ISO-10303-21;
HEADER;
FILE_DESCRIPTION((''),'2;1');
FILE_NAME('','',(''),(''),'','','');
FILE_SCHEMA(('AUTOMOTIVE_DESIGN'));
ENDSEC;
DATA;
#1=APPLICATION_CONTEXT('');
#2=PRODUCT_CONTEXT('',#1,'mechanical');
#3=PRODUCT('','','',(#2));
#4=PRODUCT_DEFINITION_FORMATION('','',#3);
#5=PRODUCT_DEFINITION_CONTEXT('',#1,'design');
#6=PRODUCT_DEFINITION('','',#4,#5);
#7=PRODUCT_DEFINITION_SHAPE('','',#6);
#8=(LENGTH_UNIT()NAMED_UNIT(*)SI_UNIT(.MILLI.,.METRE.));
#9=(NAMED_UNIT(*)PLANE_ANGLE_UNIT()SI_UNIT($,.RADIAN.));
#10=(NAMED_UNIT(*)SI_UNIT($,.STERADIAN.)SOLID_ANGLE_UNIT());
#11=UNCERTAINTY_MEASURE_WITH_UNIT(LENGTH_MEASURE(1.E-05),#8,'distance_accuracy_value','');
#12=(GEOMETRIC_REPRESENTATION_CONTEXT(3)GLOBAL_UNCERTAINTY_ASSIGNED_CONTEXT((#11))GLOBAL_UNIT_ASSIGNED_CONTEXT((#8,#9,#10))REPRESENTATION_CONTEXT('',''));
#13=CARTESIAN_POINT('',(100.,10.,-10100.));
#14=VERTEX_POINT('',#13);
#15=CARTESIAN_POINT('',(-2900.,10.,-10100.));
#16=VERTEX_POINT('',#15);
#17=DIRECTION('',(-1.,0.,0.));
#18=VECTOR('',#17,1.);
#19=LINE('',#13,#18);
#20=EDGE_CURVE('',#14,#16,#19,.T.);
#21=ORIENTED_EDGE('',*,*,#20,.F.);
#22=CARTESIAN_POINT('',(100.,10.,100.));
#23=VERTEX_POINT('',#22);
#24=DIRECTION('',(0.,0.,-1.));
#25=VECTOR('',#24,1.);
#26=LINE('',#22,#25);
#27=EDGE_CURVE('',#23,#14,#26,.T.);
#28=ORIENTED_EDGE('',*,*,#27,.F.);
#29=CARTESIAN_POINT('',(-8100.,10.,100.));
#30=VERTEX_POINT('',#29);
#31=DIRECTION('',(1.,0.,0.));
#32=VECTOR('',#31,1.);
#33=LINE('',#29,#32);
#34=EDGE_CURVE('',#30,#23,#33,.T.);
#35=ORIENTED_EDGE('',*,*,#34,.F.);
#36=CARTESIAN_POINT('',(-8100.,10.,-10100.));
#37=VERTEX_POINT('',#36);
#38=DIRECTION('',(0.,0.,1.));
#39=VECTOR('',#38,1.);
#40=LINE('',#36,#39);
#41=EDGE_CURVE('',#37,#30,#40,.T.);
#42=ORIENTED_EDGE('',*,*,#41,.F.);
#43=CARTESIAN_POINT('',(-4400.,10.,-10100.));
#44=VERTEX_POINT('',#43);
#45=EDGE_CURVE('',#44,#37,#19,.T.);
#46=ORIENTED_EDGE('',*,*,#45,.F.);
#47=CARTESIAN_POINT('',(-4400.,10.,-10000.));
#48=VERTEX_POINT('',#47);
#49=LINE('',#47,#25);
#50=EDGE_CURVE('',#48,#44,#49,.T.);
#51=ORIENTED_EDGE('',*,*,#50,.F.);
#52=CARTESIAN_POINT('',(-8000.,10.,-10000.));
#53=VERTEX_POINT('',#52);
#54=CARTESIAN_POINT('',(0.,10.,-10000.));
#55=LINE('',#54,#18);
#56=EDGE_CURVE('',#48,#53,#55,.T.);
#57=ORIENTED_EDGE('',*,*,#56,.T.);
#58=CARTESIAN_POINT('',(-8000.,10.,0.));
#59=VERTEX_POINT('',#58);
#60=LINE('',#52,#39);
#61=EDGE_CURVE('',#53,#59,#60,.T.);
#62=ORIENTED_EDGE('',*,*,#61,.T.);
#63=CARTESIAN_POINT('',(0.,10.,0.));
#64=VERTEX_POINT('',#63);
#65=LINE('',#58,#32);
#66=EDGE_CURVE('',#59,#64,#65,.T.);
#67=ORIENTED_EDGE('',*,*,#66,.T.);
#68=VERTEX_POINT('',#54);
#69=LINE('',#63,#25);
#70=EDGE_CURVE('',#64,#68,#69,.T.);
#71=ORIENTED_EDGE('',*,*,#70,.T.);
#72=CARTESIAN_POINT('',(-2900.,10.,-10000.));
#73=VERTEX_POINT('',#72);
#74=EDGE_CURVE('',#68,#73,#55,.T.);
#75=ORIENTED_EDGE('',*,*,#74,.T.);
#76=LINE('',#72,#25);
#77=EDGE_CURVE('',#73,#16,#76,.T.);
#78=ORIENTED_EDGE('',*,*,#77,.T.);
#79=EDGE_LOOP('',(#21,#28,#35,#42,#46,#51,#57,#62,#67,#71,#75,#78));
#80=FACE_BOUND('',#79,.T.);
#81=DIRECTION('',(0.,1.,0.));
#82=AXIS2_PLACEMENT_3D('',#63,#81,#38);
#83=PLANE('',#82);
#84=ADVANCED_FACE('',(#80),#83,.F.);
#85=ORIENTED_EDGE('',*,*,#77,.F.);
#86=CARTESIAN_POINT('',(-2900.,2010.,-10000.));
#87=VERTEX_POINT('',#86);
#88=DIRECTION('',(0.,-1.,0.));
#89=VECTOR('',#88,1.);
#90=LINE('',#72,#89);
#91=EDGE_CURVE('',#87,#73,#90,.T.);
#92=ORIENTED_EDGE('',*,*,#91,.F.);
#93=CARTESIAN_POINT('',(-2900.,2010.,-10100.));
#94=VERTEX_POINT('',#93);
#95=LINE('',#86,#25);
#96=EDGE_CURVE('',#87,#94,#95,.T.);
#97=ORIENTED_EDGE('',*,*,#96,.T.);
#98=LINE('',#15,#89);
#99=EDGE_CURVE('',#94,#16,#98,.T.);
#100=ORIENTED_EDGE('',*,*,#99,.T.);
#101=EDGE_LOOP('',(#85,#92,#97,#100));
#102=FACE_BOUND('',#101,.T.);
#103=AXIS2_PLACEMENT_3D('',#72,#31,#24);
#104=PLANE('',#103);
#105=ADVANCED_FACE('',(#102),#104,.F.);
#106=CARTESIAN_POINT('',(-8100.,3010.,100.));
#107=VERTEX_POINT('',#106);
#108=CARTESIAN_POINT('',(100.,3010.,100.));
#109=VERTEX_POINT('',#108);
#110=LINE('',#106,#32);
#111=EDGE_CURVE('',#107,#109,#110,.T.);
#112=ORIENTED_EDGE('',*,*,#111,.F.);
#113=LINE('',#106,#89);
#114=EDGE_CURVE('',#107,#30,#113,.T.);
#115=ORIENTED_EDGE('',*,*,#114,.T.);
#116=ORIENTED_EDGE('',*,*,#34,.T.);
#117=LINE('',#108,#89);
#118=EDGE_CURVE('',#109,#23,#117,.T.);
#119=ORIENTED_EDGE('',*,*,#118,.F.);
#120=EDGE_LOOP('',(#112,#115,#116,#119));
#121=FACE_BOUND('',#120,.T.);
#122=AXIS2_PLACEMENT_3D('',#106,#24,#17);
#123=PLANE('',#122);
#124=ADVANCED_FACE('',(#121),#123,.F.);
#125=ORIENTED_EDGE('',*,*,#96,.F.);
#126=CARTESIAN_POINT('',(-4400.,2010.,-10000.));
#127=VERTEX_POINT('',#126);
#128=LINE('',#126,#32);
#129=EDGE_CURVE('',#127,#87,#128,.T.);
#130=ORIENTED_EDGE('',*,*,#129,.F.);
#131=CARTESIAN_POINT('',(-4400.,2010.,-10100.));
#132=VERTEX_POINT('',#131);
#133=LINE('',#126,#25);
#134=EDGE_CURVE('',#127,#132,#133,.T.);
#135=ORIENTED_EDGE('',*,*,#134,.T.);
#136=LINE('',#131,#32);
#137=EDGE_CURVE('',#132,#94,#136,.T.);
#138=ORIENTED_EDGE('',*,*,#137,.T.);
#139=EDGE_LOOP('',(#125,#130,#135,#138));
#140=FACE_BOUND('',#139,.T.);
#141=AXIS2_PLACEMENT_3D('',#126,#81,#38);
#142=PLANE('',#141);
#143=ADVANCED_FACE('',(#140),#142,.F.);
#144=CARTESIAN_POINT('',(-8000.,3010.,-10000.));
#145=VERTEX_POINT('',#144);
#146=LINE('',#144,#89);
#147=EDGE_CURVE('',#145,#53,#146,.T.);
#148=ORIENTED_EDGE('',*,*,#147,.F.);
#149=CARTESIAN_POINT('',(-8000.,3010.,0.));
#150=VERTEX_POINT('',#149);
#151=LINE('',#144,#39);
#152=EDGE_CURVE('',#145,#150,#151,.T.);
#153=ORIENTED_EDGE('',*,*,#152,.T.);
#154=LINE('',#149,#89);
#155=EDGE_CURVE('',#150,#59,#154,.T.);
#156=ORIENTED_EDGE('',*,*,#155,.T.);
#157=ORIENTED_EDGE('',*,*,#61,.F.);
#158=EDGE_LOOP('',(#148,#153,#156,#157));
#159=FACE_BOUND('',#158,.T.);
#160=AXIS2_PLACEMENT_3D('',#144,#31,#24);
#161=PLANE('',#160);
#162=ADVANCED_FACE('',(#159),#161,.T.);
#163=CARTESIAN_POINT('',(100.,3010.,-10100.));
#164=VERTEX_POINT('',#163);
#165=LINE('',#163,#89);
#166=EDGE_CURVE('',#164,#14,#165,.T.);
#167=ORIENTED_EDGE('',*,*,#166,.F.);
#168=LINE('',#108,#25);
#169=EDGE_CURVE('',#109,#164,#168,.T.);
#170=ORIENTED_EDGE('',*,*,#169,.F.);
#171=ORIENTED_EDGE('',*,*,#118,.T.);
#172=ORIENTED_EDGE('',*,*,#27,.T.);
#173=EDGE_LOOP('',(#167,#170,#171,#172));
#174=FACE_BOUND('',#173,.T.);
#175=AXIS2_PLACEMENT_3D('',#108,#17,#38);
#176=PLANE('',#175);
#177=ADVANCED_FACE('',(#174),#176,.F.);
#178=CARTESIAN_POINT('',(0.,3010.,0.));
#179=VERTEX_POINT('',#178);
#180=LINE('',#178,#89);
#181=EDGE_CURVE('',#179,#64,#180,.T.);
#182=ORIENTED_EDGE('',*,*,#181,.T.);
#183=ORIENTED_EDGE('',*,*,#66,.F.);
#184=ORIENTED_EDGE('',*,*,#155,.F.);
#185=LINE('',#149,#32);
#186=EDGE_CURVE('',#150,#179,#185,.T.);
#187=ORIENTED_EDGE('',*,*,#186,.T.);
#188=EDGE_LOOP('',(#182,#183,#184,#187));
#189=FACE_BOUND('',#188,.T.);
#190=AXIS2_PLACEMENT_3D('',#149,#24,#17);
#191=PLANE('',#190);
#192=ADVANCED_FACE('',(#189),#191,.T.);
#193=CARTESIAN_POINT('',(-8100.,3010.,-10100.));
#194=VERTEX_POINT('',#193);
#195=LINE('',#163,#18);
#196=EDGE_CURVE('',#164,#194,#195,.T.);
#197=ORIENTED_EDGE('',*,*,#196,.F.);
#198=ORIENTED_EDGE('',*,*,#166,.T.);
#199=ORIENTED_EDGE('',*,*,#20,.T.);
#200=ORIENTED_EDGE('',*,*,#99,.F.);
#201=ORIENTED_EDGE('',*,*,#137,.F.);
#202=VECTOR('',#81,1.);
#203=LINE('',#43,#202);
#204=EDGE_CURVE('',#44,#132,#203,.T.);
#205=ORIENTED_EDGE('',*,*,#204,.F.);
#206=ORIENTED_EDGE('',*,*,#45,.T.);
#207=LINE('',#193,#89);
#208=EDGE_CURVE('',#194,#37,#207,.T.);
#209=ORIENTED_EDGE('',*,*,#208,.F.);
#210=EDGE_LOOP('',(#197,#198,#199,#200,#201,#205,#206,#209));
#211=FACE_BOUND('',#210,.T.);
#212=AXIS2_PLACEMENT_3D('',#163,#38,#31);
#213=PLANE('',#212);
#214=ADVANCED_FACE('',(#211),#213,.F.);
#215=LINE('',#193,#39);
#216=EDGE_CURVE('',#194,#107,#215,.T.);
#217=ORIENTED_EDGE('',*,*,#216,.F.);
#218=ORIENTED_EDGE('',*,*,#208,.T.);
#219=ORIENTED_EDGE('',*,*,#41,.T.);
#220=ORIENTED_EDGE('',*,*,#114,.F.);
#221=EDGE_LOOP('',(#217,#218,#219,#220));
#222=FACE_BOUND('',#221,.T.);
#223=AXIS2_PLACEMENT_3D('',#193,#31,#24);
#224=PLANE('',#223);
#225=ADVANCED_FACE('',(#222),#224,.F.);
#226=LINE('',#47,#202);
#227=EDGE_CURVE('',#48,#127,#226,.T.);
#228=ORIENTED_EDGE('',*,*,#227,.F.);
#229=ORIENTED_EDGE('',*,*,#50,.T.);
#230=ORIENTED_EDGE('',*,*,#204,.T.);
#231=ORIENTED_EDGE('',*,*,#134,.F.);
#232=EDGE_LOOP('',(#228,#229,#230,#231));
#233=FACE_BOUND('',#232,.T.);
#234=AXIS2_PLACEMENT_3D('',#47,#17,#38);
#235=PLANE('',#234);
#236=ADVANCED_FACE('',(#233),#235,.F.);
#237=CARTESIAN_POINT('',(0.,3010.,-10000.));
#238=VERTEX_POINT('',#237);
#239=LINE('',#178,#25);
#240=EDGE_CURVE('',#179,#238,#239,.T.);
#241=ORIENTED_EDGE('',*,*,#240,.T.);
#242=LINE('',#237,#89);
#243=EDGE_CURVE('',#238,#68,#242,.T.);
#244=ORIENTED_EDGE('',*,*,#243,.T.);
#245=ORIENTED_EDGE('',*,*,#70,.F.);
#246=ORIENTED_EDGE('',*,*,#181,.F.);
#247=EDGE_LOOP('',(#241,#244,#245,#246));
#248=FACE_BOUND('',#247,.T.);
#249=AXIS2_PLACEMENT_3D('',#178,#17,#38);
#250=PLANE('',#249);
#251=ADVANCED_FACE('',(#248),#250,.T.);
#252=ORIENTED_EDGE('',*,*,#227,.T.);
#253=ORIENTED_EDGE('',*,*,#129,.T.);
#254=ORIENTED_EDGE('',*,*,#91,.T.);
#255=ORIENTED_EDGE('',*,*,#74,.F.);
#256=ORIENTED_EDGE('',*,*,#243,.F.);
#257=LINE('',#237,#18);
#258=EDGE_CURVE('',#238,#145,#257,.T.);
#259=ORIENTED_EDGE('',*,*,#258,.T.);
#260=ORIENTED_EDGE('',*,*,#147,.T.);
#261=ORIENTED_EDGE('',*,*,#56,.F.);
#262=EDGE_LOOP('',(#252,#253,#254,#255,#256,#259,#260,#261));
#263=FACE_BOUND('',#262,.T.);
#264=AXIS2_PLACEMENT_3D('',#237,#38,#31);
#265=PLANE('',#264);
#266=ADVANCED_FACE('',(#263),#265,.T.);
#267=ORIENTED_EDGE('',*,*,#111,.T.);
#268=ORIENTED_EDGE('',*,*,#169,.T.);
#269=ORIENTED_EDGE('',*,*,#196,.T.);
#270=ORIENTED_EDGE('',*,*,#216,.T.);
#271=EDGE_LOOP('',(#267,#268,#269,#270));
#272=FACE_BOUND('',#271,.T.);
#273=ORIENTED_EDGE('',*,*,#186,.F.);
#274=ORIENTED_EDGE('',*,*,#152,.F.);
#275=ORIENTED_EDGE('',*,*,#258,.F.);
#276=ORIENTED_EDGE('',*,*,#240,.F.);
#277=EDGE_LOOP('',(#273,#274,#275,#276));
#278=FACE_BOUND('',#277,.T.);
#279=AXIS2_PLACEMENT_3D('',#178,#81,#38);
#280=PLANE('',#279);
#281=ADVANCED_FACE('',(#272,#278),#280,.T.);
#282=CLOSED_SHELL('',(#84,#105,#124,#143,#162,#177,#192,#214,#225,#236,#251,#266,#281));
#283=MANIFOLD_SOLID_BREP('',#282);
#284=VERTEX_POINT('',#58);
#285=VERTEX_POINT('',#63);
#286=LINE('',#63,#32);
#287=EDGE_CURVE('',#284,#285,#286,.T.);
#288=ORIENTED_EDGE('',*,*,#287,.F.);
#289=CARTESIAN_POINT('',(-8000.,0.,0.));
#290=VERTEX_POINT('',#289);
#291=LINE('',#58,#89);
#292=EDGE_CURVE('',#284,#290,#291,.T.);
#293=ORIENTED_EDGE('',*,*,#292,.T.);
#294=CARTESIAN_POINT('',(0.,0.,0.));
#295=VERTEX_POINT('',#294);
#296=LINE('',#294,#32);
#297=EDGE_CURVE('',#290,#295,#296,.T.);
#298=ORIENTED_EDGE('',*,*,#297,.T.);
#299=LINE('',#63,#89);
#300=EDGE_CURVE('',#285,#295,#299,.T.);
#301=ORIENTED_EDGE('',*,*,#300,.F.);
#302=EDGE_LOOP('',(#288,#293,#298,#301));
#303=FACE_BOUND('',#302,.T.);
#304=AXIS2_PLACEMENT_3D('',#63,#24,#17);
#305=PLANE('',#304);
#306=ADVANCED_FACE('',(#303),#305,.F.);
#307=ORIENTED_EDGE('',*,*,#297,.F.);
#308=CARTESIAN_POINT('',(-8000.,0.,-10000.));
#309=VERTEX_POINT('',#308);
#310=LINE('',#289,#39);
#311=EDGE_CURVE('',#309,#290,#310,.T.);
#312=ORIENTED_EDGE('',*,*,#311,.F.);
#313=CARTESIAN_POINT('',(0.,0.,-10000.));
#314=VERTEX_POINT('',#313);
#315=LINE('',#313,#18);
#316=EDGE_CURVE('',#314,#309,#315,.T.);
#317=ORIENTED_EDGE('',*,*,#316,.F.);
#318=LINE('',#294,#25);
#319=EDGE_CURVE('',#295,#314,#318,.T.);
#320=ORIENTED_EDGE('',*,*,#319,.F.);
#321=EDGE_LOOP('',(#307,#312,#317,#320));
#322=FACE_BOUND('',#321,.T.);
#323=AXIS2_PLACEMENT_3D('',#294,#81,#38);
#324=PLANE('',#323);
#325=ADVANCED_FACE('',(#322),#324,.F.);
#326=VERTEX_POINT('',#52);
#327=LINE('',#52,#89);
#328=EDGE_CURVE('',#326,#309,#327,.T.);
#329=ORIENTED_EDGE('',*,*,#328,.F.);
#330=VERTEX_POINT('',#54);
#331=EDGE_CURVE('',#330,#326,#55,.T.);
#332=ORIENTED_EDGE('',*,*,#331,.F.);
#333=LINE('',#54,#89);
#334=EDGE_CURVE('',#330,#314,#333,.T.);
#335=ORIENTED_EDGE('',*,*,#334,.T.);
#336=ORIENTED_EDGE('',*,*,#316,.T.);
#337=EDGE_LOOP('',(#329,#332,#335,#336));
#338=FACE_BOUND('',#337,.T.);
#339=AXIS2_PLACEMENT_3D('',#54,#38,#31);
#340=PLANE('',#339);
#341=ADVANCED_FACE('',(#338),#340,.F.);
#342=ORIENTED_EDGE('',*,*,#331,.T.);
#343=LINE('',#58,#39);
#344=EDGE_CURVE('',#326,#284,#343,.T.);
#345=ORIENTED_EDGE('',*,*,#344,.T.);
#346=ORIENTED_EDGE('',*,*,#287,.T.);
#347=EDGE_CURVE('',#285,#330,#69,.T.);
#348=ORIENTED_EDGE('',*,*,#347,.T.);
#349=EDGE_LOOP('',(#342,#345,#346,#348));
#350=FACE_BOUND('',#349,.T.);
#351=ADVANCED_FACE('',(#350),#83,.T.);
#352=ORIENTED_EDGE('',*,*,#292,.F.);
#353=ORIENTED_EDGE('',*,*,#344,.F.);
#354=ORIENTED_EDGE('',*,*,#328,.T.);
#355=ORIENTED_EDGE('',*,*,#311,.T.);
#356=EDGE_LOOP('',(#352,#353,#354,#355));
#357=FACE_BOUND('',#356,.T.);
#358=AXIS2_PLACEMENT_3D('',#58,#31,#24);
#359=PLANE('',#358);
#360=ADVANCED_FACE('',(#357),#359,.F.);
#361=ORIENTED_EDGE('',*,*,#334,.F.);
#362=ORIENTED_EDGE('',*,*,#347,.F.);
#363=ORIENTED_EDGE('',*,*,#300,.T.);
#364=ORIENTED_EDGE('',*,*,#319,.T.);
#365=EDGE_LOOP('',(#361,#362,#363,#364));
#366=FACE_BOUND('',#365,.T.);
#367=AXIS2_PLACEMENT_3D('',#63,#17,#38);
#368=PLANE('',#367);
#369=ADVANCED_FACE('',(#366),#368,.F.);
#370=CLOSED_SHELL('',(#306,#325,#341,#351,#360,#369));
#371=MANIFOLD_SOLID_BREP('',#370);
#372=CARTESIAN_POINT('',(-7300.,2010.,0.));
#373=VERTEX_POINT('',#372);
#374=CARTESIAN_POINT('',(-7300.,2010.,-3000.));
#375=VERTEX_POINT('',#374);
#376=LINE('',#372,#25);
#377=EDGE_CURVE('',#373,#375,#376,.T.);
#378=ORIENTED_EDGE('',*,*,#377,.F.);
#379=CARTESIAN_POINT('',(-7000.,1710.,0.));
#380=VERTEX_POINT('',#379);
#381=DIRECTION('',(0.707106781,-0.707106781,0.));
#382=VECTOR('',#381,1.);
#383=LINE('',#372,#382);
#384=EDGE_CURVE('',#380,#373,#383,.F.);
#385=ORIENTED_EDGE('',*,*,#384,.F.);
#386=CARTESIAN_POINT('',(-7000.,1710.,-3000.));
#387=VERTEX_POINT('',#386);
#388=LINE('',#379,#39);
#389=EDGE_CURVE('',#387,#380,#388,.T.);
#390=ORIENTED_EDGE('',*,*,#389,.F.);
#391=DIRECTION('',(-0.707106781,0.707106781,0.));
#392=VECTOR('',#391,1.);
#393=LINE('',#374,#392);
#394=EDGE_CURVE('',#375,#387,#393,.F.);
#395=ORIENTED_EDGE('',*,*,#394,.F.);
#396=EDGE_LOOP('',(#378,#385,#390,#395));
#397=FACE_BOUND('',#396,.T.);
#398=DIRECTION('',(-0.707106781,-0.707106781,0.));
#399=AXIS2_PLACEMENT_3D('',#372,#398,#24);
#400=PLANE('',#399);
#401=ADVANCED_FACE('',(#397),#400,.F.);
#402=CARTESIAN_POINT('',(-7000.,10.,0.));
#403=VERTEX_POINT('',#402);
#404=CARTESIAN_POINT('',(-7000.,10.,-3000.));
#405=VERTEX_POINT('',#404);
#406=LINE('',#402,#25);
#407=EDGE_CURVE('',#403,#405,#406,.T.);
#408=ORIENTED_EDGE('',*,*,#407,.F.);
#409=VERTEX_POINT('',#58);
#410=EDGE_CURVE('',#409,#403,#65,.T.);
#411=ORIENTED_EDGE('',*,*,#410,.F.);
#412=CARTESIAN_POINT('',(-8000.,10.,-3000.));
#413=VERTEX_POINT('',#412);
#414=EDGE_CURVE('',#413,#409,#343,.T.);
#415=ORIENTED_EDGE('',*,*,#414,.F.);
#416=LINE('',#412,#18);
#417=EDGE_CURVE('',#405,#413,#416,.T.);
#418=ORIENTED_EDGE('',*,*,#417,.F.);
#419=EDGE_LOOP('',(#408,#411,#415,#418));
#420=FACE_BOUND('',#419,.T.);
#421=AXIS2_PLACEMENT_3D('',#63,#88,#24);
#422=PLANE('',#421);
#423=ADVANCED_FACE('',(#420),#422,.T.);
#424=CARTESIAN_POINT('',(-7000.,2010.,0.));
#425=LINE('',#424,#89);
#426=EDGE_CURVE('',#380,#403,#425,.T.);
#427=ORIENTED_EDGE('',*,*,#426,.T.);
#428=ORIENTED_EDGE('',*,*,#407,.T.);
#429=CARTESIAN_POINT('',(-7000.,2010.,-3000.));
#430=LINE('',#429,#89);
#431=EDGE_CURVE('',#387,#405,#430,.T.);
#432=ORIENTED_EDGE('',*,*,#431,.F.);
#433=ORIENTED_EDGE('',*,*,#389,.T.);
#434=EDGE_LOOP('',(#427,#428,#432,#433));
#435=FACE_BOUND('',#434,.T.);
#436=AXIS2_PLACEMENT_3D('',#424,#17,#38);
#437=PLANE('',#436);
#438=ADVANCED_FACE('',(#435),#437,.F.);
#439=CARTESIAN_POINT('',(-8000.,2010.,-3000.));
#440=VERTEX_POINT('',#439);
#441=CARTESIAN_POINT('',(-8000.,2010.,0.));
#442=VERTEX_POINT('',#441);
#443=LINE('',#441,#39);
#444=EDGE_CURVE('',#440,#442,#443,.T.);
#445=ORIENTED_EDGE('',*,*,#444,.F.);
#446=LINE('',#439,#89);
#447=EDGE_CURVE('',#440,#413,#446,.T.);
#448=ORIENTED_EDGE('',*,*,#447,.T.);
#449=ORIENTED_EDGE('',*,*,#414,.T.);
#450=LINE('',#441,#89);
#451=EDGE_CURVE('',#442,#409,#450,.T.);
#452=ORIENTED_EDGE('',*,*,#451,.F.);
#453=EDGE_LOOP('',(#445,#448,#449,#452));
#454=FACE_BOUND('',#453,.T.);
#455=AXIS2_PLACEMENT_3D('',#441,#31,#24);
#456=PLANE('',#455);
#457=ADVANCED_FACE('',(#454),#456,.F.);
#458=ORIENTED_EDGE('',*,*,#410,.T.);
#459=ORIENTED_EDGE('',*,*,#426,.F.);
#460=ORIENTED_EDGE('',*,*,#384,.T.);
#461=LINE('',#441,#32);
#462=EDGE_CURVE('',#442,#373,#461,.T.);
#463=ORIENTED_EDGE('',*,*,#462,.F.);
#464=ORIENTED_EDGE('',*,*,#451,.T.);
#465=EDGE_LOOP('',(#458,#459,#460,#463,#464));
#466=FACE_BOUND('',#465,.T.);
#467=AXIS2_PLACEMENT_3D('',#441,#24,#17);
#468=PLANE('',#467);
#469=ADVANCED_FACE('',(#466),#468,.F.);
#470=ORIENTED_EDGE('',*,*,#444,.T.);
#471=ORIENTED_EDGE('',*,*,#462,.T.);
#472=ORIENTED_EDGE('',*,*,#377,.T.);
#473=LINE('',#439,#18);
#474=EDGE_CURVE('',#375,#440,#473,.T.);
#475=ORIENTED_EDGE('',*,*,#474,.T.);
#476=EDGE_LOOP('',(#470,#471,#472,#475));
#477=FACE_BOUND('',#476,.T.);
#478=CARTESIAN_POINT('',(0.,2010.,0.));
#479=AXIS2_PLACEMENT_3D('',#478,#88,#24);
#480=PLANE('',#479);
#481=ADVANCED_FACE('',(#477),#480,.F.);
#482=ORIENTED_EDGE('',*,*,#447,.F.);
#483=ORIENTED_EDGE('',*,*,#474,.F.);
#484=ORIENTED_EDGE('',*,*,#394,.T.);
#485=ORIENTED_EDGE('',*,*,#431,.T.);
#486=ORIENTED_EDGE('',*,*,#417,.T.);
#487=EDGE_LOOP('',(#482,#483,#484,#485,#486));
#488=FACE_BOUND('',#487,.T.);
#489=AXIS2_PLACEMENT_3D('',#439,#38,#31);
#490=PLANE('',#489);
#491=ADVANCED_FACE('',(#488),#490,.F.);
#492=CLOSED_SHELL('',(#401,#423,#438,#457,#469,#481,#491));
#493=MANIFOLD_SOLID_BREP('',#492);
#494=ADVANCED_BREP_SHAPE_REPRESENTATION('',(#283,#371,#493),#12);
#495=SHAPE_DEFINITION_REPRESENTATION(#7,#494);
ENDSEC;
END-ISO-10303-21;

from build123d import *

# Parameters (mm, degrees)
SKETCH1_W           = 8000
SKETCH1_H           = 10000
BOSS_EXTRUDE1_DEPTH = 10
SKETCH3_W           = 8200
SKETCH3_H           = 10200
SKETCH3_W_2         = 8000
SKETCH3_H_2         = 10000
BOSS_EXTRUDE2_DEPTH = 3000
SKETCH4_W           = 1500
SKETCH4_H           = 2000
CUT_EXTRUDE1_DEPTH  = 100
SKETCH5_W           = 1000
SKETCH5_H           = 3000
BOSS_EXTRUDE4_DEPTH = 2000
CHAMFER1_SIZE       = 300


with BuildPart() as part:
    # Sketch1 → Boss-Extrude1 (new body)
    with BuildSketch(Plane(origin=(0, 0, 0), x_dir=(1, 0, 0), z_dir=(0, 1, 0))):
        with Locations((-4000, 5000)):
            Rectangle(SKETCH1_W, SKETCH1_H)
    extrude(amount=BOSS_EXTRUDE1_DEPTH)


with BuildPart() as body_2:
    # Sketch3 → Boss-Extrude2 (new body)
    with BuildSketch(Plane(origin=(0, 10, 0), x_dir=(1, 0, 0), z_dir=(0, 1, 0))):
        with Locations((-4000, 5000)):
            Rectangle(SKETCH3_W, SKETCH3_H)
        with Locations((-4000, 5000)):
            Rectangle(SKETCH3_W_2, SKETCH3_H_2, mode=Mode.SUBTRACT)
    extrude(amount=BOSS_EXTRUDE2_DEPTH)

    # Sketch4 → Cut-Extrude1 (cut)
    with BuildSketch(Plane(origin=(0, 0, -10100), x_dir=(-1, 0, 0), z_dir=(0, 0, -1))):
        with Locations((3650, 1010)):
            Rectangle(SKETCH4_W, SKETCH4_H)
    extrude(amount=-CUT_EXTRUDE1_DEPTH, mode=Mode.SUBTRACT)


with BuildPart() as body_3:
    # Sketch5 → Boss-Extrude4 (new body)
    with BuildSketch(Plane(origin=(0, 10, 0), x_dir=(1, 0, 0), z_dir=(0, 1, 0))):
        with Locations((-7500, 1500)):
            Rectangle(SKETCH5_W, SKETCH5_H)
    extrude(amount=BOSS_EXTRUDE4_DEPTH)

    # Chamfer1
    chamfer1_edges = [body_3.edges().sort_by_distance(p)[0] for p in [
        (-7000, 2010, -1500),
    ]]
    chamfer(chamfer1_edges, length=CHAMFER1_SIZE)


solid = Compound([part.part, body_2.part, body_3.part])
